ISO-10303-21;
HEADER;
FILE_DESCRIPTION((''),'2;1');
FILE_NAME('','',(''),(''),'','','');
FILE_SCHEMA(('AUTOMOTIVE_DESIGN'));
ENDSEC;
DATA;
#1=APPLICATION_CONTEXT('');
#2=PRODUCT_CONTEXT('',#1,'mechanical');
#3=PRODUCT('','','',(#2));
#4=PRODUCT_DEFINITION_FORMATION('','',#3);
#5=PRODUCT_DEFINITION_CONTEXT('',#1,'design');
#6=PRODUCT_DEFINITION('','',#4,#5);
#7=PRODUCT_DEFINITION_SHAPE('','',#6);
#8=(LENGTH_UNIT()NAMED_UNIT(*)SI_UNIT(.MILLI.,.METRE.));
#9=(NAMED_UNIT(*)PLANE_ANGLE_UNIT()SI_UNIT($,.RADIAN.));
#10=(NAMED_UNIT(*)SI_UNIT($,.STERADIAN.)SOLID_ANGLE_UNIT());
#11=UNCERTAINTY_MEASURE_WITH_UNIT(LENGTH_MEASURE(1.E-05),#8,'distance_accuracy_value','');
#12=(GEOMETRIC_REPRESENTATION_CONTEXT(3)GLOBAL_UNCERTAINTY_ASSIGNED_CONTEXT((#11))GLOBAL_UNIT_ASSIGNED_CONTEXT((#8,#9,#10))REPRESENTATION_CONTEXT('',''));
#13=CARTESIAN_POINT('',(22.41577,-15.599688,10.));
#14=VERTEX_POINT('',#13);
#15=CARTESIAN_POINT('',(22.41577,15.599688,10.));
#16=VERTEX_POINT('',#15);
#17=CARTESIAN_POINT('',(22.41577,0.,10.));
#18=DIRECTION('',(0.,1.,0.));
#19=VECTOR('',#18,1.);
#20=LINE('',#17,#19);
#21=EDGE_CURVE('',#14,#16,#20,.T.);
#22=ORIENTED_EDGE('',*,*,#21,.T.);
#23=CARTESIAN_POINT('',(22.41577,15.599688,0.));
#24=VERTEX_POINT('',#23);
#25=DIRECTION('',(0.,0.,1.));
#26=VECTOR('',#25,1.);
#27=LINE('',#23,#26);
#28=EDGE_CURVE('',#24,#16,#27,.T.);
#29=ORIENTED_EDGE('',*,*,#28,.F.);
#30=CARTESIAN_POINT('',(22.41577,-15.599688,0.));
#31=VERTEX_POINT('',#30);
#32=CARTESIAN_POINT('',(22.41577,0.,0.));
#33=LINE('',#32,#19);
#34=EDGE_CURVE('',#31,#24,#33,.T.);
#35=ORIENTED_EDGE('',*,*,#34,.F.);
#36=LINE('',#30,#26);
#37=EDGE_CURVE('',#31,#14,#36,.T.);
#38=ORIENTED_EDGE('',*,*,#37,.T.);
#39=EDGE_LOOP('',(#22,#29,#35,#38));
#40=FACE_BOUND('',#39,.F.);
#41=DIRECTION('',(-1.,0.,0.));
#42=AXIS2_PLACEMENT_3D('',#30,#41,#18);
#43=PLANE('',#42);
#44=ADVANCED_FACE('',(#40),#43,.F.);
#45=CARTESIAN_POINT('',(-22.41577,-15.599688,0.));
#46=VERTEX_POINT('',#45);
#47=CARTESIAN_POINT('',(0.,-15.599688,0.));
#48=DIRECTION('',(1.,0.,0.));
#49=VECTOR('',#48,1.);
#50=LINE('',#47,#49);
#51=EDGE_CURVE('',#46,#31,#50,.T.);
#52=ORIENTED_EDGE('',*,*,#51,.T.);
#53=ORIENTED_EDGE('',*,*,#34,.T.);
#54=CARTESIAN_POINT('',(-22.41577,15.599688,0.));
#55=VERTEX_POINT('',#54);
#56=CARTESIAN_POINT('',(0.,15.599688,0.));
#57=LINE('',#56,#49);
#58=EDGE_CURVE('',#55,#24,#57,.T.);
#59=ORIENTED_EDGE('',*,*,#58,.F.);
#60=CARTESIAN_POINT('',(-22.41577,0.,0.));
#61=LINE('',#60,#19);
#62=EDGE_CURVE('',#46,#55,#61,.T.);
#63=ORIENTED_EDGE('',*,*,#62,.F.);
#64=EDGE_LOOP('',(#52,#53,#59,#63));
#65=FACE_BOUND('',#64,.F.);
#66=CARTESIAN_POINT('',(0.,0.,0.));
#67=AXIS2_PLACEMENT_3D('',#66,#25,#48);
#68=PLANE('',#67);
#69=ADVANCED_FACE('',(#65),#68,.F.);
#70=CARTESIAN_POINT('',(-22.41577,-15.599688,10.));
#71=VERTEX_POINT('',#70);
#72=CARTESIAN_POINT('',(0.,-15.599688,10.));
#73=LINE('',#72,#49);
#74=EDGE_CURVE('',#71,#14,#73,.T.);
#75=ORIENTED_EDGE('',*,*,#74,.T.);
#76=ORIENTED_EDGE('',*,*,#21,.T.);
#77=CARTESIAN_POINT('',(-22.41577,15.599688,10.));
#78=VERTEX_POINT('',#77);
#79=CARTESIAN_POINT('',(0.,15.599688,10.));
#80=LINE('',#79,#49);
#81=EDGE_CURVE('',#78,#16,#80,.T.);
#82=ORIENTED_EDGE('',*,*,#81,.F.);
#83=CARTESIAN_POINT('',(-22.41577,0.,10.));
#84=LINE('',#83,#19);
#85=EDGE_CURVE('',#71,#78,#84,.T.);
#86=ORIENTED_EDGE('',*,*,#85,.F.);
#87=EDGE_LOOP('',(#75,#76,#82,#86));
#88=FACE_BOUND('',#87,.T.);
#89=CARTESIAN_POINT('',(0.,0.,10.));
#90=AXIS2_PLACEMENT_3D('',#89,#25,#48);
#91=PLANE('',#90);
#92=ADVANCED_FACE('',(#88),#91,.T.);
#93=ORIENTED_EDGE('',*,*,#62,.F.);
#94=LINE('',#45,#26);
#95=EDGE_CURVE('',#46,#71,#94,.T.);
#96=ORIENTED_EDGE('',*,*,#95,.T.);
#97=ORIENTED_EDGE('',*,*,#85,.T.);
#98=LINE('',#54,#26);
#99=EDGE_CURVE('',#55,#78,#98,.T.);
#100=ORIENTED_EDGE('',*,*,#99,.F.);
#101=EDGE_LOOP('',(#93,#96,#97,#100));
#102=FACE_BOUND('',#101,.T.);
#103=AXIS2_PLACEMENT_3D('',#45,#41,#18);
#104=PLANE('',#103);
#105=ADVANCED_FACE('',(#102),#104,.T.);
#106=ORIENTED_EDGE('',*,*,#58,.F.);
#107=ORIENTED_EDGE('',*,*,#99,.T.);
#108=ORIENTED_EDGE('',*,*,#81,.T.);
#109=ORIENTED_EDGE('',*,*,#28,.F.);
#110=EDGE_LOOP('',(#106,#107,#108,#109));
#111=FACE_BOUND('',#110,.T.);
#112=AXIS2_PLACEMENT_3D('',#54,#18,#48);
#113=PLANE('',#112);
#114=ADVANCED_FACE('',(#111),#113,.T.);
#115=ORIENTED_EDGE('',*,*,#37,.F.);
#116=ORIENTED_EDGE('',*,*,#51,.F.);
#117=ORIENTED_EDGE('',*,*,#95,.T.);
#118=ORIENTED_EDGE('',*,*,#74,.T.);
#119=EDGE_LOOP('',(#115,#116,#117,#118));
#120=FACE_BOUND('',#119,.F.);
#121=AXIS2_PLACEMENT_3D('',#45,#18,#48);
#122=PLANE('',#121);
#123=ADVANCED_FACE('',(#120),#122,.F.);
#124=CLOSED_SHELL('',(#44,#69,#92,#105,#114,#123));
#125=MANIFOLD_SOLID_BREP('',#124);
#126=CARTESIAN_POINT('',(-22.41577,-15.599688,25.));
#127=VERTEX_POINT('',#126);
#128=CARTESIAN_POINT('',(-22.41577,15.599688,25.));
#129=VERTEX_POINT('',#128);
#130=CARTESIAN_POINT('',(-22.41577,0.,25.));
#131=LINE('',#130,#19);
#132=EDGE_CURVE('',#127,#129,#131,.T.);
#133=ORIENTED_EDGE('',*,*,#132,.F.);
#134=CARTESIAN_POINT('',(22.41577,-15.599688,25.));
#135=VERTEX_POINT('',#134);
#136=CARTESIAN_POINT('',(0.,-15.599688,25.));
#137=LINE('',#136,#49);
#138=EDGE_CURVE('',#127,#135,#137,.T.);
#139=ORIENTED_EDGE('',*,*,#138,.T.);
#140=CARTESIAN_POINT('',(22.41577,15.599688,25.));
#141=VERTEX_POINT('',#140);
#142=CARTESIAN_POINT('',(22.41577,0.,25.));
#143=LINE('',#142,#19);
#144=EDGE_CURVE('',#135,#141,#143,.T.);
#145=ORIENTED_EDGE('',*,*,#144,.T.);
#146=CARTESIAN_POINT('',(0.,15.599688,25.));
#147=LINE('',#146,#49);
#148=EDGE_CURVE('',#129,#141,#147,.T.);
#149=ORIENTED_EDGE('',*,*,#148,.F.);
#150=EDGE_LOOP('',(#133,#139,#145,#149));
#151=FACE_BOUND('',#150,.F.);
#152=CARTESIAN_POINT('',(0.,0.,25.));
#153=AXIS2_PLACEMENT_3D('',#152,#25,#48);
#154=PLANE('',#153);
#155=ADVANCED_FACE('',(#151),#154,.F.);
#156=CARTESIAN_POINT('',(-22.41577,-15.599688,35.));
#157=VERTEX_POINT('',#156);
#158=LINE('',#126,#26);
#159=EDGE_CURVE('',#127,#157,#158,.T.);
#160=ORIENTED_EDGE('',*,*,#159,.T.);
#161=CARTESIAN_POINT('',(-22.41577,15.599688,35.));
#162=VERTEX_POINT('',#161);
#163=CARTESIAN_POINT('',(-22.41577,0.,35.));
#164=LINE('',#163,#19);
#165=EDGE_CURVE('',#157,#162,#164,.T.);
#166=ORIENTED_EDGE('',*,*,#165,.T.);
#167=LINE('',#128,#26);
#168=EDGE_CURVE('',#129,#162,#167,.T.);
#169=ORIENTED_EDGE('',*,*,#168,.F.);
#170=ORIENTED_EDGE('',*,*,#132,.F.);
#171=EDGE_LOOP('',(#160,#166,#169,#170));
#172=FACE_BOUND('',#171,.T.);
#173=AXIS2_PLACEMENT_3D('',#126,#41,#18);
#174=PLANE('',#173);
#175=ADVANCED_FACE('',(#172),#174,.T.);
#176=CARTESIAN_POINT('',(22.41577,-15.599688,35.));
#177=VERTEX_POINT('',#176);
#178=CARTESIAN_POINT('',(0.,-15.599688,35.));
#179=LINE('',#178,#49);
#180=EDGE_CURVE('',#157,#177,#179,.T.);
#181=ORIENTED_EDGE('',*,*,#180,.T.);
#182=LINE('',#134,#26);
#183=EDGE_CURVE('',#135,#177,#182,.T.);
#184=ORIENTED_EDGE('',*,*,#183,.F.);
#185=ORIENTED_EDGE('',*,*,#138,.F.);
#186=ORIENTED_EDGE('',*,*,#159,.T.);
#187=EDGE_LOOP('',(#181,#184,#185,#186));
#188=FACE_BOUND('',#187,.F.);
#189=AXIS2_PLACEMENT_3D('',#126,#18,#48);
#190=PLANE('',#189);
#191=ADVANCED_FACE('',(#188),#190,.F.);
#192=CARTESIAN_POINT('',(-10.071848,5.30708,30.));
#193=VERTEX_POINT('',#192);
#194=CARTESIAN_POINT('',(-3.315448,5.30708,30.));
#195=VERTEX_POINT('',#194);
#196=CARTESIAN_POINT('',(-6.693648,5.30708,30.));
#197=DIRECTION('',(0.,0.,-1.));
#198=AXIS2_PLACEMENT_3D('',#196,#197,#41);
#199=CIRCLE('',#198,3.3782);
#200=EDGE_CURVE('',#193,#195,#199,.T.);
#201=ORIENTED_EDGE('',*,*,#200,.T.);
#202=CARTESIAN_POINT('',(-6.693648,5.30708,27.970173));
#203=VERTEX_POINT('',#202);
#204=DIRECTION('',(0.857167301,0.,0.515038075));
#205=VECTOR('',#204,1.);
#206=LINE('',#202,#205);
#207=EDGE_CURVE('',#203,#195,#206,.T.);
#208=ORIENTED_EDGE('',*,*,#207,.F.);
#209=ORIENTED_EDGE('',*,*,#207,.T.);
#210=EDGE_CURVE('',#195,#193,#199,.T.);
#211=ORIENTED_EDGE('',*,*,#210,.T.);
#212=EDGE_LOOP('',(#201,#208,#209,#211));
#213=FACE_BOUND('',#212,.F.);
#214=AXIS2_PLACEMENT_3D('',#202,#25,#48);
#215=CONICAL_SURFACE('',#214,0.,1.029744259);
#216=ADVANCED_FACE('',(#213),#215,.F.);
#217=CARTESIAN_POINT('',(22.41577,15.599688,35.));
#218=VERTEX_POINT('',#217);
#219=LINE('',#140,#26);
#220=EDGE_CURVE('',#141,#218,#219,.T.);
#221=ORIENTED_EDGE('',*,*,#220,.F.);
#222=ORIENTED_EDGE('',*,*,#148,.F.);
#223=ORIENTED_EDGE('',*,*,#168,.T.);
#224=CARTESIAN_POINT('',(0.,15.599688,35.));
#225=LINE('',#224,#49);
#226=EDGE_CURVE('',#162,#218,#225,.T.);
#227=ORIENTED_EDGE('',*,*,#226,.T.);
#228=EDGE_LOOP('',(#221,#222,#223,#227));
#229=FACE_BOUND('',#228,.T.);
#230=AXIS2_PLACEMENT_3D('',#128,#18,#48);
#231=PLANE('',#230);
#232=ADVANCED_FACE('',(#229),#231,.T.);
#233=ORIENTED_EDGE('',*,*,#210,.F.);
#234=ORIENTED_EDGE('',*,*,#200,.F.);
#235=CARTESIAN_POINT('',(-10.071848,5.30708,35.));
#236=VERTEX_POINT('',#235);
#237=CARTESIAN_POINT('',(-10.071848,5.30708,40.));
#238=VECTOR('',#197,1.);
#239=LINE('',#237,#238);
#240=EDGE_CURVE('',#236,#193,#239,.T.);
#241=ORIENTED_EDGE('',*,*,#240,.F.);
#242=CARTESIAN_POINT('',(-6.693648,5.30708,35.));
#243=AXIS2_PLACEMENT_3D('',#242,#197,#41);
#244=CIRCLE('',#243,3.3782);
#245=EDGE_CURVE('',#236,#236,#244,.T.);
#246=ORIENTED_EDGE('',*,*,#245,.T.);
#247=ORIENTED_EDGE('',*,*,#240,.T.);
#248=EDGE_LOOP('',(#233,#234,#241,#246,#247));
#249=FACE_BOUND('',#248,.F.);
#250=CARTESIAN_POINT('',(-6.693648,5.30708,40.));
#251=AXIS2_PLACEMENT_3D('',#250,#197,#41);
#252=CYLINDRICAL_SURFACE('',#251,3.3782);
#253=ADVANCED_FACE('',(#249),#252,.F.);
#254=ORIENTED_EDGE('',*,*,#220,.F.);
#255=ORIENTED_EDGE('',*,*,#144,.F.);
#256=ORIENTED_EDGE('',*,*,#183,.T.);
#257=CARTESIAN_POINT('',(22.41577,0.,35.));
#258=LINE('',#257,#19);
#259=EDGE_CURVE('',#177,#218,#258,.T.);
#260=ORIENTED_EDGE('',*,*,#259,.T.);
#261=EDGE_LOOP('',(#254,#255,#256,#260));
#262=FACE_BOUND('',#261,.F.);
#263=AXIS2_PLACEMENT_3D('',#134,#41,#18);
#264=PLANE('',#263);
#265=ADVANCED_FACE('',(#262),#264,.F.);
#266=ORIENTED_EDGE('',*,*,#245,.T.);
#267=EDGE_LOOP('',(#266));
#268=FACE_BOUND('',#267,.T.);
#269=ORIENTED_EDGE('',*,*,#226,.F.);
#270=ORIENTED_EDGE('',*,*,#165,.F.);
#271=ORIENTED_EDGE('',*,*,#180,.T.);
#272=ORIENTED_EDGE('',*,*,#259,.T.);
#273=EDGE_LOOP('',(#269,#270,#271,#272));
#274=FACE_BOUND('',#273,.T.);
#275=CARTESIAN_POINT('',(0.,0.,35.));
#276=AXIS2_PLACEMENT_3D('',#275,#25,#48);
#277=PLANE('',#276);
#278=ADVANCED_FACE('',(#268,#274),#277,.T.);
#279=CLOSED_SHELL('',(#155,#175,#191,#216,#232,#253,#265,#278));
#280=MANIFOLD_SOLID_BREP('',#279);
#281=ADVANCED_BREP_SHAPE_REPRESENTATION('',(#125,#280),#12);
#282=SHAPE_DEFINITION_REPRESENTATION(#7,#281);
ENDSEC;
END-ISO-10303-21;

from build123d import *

# Parameters (mm, degrees)
F0_W     = 44.8315404356
F0_H     = 31.1993751675
F1_DEPTH = 10
F3_W     = 44.8315404356
F3_H     = 31.1993751675
F4_DEPTH = 10
F6_D     = 6.7564
F6_DEPTH = 5
F6_TIP   = 2.0298273432


with BuildPart() as f1:
    # F0 (on Top) → F1 (new body)
    with BuildSketch(Plane.XY):
        Rectangle(F0_W, F0_H)
    extrude(amount=F1_DEPTH)


with BuildPart() as f4:
    # F3 (on offset) → F4 (new body)
    with BuildSketch(Plane.XY.offset(25)):
        Rectangle(F3_W, F3_H)
    extrude(amount=F4_DEPTH)

    # F6
    with Locations(Plane.XY.offset(35)):
        with Locations((-6.6936477087, 5.3070797585)):
            Hole(F6_D / 2, depth=F6_DEPTH)
            with Locations((0, 0, -(F6_DEPTH + F6_TIP / 2))):  # 118° drill point
                Cone(0, F6_D / 2, F6_TIP, mode=Mode.SUBTRACT)


solid = Compound([f1.part, f4.part])
